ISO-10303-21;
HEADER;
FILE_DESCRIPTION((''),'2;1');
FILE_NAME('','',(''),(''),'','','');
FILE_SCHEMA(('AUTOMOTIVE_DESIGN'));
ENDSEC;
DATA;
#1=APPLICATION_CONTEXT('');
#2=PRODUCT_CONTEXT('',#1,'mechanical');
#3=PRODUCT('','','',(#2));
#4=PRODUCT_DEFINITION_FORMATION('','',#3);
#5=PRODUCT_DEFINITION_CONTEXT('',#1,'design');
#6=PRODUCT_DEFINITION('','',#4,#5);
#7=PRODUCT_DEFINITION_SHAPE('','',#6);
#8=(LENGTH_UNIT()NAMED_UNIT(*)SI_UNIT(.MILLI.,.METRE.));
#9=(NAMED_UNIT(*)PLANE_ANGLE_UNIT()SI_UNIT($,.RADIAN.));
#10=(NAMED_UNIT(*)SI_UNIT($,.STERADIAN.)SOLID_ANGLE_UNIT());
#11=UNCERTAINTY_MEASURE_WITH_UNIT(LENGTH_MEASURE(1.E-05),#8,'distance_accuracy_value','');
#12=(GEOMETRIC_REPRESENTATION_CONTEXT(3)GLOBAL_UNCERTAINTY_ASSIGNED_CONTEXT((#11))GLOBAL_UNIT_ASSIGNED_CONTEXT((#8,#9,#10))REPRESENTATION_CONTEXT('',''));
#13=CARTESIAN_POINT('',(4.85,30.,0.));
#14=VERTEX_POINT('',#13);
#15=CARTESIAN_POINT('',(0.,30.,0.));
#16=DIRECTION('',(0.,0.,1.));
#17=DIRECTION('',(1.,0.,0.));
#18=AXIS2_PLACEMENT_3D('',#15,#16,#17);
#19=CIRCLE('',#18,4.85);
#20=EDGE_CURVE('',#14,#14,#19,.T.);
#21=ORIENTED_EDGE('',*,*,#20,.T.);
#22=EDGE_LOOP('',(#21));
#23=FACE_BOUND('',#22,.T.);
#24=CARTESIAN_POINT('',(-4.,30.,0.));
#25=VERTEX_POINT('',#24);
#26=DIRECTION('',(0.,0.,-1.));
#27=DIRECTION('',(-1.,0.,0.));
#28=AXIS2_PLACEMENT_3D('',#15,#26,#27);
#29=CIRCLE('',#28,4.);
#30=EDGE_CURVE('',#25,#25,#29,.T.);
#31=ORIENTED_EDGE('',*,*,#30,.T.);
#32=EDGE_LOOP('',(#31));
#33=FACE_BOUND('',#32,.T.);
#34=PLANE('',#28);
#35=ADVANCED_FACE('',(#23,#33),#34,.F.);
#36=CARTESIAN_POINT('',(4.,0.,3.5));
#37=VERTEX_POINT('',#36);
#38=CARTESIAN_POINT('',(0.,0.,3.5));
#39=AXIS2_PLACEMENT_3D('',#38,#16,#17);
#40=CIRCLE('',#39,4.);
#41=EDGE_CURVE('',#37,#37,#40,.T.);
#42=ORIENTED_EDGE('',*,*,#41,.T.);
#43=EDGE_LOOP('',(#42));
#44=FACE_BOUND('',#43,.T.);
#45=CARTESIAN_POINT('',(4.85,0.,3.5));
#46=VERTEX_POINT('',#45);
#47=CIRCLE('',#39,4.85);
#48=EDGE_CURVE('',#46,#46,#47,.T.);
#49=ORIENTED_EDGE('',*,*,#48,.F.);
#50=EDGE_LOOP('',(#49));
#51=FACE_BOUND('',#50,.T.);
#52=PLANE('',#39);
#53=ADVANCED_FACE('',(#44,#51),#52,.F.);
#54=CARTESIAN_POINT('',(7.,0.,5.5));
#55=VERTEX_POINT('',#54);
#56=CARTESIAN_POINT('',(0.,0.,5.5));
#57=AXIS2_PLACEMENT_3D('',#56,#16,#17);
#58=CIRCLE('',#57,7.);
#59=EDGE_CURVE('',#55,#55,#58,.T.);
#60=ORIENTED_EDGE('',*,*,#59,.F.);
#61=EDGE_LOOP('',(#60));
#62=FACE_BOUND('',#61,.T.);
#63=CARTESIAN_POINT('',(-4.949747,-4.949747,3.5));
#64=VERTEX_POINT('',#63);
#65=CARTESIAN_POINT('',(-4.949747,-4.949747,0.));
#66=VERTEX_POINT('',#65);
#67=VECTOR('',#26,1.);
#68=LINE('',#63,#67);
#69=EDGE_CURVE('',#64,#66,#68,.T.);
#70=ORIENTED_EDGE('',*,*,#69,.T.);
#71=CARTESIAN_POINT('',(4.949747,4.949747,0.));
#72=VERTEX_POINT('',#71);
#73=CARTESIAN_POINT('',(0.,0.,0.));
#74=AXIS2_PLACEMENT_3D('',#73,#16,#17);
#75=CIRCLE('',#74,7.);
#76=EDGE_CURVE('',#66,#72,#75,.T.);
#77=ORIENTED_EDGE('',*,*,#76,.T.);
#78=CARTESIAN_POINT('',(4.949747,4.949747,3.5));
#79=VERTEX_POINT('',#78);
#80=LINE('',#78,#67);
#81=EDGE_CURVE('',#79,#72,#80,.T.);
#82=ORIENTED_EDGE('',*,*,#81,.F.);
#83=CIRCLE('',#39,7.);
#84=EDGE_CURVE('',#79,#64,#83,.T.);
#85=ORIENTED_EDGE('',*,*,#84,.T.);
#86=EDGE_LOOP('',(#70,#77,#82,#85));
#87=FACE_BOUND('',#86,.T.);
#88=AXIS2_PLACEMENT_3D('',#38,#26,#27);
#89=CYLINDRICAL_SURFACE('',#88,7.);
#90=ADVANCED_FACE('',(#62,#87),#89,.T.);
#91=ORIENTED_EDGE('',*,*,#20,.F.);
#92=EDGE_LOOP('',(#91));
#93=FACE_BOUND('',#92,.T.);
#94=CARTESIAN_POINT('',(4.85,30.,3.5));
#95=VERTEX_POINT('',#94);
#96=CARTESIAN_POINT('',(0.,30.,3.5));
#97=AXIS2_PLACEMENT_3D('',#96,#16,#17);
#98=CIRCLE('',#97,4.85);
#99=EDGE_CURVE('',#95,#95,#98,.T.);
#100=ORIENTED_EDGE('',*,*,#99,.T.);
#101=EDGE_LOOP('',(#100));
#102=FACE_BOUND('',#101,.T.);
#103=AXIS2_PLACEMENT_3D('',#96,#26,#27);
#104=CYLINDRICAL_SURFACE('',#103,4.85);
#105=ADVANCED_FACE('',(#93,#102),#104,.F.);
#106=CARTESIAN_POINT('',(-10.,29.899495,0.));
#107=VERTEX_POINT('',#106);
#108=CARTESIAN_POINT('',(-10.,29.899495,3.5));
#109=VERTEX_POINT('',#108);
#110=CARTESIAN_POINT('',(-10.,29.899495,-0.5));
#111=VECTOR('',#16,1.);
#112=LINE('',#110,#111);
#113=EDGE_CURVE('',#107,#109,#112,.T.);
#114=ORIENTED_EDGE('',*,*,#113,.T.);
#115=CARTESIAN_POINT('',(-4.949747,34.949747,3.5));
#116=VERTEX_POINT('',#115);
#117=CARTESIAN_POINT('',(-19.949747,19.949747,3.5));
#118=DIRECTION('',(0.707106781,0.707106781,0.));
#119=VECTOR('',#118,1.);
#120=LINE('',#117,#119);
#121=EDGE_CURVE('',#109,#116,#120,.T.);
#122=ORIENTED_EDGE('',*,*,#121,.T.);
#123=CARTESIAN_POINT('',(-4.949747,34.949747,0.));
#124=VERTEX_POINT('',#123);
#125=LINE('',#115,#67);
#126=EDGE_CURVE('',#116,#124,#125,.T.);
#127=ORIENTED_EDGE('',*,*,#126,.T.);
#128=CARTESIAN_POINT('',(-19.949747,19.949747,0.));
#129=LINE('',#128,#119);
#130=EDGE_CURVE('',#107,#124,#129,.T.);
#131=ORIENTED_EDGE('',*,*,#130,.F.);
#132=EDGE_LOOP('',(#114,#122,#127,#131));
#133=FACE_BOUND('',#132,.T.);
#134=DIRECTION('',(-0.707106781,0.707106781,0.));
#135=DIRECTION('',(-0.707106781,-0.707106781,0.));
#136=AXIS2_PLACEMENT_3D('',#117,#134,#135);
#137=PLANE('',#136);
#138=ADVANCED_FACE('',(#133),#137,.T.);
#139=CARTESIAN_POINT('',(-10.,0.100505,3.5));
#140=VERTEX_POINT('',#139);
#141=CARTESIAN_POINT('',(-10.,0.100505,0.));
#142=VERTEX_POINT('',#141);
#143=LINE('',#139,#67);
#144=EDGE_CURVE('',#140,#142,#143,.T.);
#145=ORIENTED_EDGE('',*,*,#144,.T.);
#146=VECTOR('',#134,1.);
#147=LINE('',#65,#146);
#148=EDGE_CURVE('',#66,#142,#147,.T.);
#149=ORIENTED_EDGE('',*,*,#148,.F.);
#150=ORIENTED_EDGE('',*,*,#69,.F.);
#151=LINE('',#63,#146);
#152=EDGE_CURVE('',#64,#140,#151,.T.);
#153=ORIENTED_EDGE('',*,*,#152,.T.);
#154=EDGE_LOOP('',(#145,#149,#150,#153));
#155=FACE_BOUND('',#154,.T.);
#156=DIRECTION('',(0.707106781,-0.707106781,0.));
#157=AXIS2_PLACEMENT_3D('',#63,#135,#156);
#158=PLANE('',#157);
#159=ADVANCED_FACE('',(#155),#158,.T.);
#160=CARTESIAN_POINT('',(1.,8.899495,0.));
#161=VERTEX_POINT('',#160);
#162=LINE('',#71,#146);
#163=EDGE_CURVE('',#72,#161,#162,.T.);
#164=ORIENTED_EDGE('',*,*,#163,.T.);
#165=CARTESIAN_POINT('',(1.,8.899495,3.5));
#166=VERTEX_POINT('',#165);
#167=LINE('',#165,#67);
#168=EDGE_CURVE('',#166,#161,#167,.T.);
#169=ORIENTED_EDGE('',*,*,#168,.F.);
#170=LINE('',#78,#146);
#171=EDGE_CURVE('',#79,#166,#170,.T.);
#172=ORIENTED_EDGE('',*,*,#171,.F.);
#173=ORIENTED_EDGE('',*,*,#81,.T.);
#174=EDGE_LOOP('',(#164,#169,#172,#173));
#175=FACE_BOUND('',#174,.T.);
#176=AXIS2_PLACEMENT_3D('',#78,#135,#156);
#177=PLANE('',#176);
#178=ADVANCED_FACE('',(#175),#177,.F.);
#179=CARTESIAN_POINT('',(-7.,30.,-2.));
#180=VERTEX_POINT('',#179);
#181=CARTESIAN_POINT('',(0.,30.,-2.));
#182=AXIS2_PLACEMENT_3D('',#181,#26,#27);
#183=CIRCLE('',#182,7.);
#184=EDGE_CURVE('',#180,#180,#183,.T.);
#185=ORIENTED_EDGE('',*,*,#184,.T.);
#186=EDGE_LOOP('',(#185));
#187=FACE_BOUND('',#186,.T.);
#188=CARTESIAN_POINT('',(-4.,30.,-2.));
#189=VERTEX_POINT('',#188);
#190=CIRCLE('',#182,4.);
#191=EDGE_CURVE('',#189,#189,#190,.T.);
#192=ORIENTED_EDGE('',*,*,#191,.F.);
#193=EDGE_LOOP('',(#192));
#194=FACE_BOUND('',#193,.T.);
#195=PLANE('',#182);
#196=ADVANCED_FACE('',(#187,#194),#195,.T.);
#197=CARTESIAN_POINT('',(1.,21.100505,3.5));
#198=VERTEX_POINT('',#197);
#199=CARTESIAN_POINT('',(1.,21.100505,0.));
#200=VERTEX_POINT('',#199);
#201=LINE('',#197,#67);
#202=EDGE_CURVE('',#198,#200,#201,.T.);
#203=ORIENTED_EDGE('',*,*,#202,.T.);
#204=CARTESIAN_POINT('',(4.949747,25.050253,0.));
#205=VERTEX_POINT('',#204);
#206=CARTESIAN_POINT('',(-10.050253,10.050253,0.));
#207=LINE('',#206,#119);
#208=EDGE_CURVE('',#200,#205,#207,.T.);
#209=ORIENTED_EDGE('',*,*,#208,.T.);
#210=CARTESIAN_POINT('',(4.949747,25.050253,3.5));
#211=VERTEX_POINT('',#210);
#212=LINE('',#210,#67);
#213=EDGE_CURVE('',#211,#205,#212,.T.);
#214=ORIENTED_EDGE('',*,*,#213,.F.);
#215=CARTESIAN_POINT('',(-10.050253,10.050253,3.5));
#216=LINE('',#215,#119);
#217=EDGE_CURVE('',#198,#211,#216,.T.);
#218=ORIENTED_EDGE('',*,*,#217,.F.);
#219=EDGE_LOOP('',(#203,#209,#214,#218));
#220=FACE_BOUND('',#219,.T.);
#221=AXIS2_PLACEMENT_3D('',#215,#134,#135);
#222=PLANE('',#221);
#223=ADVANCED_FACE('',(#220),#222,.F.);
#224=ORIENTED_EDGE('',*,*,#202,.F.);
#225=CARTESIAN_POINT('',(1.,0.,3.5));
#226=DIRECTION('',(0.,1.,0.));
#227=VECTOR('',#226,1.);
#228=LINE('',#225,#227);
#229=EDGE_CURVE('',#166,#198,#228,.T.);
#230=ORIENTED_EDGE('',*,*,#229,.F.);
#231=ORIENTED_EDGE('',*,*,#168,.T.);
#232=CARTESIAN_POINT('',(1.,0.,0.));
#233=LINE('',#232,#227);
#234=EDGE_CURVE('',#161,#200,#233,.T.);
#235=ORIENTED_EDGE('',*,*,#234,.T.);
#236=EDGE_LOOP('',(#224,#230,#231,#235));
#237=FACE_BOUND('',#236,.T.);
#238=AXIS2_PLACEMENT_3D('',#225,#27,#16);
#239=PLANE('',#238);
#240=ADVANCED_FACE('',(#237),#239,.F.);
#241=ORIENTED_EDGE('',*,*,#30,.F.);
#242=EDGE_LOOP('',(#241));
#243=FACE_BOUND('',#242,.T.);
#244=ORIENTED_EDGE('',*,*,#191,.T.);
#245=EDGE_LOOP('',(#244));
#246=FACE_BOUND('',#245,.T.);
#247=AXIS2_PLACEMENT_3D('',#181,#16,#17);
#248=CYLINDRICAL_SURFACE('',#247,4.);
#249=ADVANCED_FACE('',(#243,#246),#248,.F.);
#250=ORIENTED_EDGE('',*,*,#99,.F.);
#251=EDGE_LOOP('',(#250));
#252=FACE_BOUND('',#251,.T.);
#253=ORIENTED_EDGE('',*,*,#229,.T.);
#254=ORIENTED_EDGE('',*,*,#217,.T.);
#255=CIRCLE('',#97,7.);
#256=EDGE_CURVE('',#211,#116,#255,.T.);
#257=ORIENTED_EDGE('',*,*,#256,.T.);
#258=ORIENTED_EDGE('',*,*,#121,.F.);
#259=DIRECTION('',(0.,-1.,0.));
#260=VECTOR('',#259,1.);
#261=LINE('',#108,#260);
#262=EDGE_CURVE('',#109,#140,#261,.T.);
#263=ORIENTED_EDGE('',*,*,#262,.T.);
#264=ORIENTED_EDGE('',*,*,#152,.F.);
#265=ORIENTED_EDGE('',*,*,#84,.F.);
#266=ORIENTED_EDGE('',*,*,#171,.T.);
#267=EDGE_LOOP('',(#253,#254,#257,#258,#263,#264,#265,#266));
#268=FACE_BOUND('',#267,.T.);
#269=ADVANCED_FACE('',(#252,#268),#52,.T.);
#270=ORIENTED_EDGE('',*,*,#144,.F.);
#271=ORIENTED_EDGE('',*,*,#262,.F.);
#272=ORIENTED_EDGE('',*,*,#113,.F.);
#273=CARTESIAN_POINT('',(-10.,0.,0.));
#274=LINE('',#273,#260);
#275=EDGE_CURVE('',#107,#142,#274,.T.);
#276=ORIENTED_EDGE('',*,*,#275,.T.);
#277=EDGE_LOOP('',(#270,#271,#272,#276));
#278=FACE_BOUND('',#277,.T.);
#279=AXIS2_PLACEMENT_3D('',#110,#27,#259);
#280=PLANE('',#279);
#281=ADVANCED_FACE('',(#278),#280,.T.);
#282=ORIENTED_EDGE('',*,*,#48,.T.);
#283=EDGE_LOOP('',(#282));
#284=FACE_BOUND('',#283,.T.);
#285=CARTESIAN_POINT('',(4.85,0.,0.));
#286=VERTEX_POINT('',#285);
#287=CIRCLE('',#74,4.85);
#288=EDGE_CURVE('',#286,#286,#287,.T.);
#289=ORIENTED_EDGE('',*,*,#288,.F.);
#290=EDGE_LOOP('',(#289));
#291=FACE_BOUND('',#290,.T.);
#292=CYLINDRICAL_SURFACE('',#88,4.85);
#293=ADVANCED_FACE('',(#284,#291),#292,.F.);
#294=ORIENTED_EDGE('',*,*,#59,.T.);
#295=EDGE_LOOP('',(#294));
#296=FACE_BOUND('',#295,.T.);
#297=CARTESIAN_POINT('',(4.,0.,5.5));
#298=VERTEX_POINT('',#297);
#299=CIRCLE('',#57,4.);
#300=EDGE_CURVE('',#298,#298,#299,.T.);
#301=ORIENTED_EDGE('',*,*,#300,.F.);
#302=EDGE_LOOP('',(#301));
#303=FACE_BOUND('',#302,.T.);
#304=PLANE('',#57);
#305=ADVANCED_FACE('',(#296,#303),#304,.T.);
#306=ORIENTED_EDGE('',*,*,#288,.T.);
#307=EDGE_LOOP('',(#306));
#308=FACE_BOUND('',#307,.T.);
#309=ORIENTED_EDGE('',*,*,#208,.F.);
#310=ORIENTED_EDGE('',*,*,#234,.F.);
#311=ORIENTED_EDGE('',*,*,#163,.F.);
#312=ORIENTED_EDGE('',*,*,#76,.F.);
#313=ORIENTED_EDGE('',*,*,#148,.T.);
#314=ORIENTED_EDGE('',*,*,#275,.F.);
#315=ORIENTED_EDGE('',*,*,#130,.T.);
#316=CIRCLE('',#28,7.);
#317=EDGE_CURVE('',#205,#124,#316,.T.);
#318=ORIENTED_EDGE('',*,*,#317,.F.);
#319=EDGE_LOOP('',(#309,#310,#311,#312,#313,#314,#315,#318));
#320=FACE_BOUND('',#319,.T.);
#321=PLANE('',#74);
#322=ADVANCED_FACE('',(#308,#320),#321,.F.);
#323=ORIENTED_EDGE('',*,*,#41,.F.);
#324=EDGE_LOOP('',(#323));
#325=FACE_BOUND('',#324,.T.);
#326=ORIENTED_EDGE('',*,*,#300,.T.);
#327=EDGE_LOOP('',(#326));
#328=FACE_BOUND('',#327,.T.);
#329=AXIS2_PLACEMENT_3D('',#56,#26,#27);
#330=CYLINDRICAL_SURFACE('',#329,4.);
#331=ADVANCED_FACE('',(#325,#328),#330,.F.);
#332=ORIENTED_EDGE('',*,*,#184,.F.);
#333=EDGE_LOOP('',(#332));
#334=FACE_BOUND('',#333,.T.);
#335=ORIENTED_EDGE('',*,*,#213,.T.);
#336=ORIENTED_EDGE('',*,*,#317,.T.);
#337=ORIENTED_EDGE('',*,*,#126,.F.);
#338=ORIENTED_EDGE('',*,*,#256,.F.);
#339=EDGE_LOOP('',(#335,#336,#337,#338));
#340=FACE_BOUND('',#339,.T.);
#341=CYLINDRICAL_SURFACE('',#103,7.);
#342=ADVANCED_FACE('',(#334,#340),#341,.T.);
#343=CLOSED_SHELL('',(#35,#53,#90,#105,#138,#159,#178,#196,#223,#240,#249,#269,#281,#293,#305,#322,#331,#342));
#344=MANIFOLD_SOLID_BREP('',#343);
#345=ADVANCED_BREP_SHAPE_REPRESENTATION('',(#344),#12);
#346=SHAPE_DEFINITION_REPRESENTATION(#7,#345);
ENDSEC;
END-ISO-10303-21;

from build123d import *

# Parameters (mm, degrees)
CROQUIS1_R              = 7
CROQUIS1_R_2            = 4.85
SALIENTE_EXTRUIR1_DEPTH = 3.5
CROQUIS4_W              = 8.235883517
CROQUIS4_H              = 32.578937154
CORTAR_EXTRUIR4_DEPTH   = 4
CROQUIS5_R              = 7
CROQUIS5_R_2            = 4
SALIENTE_EXTRUIR2_DEPTH = 2
SALIENTE_EXTRUIR3_START = 2
CROQUIS6_R              = 7
CROQUIS6_R_2            = 4
SALIENTE_EXTRUIR3_DEPTH = 2


with BuildPart() as part:
    # Croquis1 → Saliente-Extruir1 (new body)
    # profile 1 of 3: a face of its own
    with BuildSketch(Plane.XY):
        with BuildLine():
            ThreePointArc((-4.949747468, -4.949747468), (-4.949747468, 4.949747468), (4.949747468, 4.949747468))
            Line((4.949747468, 4.949747468), (1, 8.899494937))
            Line((1, 8.899494937), (1, 21.100505063))
            Line((1, 21.100505063), (4.949747468, 25.050252532))
            ThreePointArc((4.949747468, 25.050252532), (-4.949747468, 25.050252532), (-4.949747468, 34.949747468))
            Line((-4.949747468, 34.949747468), (-13, 26.899494937))
            Line((-13, 26.899494937), (-13, 3.100505063))
            Line((-13, 3.100505063), (-4.949747468, -4.949747468))
        make_face()
    # profile 2 of 3: a face of its own
    with BuildSketch(Plane.XY):
        with Locations((0, 30)):
            Circle(CROQUIS1_R)
        with Locations((0, 30)):
            Circle(CROQUIS1_R_2, mode=Mode.SUBTRACT)
    # profile 3 of 3: a face of its own
    with BuildSketch(Plane.XY):
        Circle(CROQUIS1_R)
        Circle(CROQUIS1_R_2, mode=Mode.SUBTRACT)
    extrude(amount=SALIENTE_EXTRUIR1_DEPTH)

    # Croquis4 → Cortar-Extruir4 (cut)
    with BuildSketch(Plane.XY.offset(3.5)):
        with Locations((-14.117941759, 13.61002636)):
            Rectangle(CROQUIS4_W, CROQUIS4_H)
    extrude(amount=-CORTAR_EXTRUIR4_DEPTH, mode=Mode.SUBTRACT)

    # Croquis5 → Saliente-Extruir2 (add)
    with BuildSketch(Plane.XY.offset(3.5)):
        with Locations(Location((0, 0, 0), (0, 0, 225))):
            Circle(CROQUIS5_R)
        Circle(CROQUIS5_R_2, mode=Mode.SUBTRACT)
    extrude(amount=SALIENTE_EXTRUIR2_DEPTH)

    # Croquis6 → Saliente-Extruir3 (add)
    with BuildSketch(Plane(origin=(0, 0, 0), x_dir=(-1, 0, 0), z_dir=(0, 0, -1)).offset(SALIENTE_EXTRUIR3_START)):
        with Locations((0, 30)):
            Circle(CROQUIS6_R)
        with Locations((0, 30)):
            Circle(CROQUIS6_R_2, mode=Mode.SUBTRACT)
    extrude(amount=-SALIENTE_EXTRUIR3_DEPTH)


solid = part.part
